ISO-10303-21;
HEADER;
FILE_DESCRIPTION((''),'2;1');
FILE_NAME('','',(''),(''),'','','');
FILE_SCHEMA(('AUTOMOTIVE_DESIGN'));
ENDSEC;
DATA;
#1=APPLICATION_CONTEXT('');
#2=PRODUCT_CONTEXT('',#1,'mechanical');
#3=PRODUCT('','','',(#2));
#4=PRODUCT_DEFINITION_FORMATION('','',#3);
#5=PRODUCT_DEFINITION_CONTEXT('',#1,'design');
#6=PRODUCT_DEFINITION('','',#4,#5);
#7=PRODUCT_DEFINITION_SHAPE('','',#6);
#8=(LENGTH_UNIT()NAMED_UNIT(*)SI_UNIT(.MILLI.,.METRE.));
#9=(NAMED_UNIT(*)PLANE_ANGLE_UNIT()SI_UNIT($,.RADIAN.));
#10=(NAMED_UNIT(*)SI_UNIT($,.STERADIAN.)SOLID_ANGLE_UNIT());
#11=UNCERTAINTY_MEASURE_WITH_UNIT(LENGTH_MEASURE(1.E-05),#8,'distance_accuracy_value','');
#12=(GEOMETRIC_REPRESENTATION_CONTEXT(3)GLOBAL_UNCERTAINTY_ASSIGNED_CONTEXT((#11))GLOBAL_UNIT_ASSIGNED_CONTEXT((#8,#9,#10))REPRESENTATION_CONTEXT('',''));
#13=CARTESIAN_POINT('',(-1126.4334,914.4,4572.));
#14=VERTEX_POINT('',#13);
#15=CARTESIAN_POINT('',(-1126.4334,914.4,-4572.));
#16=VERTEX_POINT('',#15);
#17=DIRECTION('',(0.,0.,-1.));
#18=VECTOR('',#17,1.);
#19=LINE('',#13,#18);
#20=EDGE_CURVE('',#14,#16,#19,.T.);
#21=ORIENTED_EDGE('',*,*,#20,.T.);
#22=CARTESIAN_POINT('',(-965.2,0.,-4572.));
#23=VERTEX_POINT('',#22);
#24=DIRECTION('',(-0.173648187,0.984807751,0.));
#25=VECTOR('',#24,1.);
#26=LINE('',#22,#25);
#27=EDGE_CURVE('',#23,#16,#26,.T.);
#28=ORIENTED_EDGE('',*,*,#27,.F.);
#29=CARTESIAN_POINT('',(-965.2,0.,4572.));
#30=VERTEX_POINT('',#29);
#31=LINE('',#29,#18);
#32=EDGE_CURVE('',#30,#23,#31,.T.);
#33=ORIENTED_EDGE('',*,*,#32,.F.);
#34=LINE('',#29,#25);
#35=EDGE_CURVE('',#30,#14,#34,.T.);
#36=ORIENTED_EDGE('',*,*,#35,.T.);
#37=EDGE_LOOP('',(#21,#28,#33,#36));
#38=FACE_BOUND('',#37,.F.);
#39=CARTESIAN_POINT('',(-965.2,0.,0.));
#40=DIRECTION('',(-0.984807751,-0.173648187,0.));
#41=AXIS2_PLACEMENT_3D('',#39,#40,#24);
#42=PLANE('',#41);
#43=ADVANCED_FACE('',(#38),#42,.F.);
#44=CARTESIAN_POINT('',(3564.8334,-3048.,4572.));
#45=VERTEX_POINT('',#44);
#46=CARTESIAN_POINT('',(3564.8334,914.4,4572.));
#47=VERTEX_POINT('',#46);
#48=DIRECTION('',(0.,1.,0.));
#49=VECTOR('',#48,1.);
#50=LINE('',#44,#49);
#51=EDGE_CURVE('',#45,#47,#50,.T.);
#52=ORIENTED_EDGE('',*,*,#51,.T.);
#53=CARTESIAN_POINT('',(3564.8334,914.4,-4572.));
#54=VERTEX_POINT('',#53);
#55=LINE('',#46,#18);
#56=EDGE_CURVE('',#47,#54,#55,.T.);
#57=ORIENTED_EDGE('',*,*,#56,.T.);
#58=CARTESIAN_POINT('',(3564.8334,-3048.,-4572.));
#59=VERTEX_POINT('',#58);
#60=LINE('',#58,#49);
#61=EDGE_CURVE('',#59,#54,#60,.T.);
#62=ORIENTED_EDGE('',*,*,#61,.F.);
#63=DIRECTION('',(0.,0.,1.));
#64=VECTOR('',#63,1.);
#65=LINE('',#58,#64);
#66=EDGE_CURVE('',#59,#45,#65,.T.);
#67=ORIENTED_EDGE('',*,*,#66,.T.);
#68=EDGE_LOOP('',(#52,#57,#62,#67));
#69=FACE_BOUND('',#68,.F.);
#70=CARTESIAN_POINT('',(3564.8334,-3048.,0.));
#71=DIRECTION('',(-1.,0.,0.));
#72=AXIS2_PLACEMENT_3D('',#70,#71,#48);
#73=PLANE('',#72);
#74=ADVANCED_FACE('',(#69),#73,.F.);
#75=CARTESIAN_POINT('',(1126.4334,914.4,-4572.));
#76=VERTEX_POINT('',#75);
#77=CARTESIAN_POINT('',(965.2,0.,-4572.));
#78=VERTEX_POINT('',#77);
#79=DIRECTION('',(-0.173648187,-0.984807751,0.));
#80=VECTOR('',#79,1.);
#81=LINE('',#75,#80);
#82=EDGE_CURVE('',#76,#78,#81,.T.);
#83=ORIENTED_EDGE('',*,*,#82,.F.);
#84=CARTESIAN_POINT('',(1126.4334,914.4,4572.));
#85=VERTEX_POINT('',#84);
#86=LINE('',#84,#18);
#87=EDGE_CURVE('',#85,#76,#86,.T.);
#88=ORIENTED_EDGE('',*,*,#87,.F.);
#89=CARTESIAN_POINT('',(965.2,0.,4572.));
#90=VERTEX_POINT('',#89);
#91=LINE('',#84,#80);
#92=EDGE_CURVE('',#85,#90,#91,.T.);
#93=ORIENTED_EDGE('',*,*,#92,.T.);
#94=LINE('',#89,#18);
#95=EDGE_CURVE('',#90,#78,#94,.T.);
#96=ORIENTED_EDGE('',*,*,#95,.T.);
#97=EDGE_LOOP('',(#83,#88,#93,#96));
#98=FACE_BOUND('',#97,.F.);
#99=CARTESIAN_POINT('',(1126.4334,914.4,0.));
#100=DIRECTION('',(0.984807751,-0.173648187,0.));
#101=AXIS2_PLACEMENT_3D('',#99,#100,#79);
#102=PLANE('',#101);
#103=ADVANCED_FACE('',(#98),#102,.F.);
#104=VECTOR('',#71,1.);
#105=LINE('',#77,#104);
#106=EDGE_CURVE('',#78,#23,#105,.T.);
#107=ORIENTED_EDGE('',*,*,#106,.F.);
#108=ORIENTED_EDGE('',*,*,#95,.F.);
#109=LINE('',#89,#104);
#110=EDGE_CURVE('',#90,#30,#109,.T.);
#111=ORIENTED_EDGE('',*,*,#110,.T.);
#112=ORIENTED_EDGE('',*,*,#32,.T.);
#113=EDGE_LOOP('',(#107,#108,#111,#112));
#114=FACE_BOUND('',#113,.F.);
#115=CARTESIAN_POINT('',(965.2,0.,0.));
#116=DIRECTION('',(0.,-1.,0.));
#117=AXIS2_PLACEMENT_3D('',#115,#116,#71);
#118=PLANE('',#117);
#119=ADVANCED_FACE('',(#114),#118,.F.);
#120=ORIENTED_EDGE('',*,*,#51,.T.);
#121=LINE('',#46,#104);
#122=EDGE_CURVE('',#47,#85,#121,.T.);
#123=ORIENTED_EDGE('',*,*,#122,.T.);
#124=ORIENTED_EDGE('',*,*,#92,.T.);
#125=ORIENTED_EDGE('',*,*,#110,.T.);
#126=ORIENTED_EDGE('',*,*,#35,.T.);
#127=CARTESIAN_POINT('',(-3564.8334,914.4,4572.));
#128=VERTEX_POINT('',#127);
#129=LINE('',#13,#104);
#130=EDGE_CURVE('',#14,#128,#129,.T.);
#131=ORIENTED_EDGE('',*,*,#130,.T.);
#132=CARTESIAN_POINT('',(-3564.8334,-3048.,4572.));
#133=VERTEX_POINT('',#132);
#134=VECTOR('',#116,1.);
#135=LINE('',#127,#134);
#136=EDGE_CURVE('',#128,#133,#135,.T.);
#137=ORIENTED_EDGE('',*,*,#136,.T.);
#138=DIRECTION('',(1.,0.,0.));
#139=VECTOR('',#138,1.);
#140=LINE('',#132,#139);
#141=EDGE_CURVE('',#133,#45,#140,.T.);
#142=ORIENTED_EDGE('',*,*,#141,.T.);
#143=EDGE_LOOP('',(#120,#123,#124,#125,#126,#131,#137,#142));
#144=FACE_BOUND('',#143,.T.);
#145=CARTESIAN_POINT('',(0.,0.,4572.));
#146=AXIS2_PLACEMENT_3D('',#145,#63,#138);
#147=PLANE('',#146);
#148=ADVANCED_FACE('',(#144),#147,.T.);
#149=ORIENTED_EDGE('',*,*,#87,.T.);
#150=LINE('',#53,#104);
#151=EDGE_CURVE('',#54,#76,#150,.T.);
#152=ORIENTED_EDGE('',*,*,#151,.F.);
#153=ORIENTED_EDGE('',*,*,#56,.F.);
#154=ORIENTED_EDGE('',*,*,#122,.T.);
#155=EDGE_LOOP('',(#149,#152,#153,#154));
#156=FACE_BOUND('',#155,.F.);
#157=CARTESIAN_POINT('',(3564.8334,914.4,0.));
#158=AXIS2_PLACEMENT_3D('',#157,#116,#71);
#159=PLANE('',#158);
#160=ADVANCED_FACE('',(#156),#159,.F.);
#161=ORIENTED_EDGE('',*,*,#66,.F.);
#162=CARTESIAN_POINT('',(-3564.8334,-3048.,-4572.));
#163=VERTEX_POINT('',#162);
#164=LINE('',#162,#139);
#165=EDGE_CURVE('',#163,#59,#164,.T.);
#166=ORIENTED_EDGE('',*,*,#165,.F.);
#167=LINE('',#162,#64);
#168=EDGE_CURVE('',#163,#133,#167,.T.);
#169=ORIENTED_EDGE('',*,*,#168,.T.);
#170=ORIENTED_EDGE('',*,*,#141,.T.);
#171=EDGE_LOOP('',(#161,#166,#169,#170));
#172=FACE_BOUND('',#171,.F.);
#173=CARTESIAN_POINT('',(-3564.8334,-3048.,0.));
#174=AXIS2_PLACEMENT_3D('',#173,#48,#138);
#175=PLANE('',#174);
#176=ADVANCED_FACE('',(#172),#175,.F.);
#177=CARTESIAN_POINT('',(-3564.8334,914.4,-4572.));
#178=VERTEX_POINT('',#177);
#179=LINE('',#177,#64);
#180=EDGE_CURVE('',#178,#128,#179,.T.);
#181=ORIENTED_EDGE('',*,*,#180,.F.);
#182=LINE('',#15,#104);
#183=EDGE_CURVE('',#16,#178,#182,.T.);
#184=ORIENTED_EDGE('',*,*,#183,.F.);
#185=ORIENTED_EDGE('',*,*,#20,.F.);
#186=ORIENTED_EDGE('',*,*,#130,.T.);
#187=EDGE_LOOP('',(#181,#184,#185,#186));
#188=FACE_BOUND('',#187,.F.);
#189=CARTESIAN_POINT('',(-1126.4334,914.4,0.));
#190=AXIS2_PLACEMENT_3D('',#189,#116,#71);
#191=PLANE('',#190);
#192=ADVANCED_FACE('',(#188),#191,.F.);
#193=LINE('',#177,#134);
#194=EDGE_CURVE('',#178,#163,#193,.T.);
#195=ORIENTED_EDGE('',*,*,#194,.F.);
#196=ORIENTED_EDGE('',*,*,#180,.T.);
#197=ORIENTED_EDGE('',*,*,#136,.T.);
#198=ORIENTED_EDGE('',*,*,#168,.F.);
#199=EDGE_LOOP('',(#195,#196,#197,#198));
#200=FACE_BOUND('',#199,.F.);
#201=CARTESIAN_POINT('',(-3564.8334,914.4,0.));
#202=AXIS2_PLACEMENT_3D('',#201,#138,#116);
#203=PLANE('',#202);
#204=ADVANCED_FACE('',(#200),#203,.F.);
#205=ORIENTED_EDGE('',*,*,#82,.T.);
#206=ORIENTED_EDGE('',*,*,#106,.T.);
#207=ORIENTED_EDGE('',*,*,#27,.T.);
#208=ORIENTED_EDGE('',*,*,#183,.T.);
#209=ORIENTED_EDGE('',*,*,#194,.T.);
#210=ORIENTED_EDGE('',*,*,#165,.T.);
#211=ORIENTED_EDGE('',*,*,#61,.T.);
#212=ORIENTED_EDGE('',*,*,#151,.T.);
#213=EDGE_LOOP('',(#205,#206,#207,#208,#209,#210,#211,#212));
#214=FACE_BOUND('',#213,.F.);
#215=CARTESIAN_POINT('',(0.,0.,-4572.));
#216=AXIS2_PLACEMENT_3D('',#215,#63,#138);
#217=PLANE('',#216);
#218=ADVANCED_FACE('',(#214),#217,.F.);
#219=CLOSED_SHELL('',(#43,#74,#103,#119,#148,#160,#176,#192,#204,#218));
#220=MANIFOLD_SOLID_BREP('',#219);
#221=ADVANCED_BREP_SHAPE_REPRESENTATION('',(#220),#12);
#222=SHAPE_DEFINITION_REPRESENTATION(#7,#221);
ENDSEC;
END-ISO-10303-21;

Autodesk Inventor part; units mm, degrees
ref_plane "YZ Plane" through (0, 0, 0) normal (1, 0, 0) x (0, 1, 0)
ref_plane "XZ Plane" through (0, 0, 0) normal (0, 1, 0) x (-1, 0, 0)
ref_plane "XY Plane" through (0, 0, 0) normal (0, 0, 1) x (1, 0, 0)
sketch "Sketch1" plane through (0, 0, 0) normal (0, 0, 1) x (1, 0, 0)
  line L0 (-3564.8334, 914.4) -> (-3564.8334, -3048)
  line L1 (-3564.8334, -3048) -> (3564.8334, -3048)
  line L2 (3564.8334, -3048) -> (3564.8334, 914.4)
  line L3 (3564.8334, 914.4) -> (1126.4334, 914.4)
  line L4 (1126.4334, 914.4) -> (965.2, 0)
  line L5 (965.2, 0) -> (-965.2, 0)
  line L6 (-965.2, 0) -> (-1126.4334, 914.4)
  line L7 (-1126.4334, 914.4) -> (-3564.8334, 914.4)
  point P0 (0, 0)
  point P1 (0, 0)
  dimension "d0" = 2438.4
  dimension "d1" = 1930.4
  dimension "d2" = 914.4
  dimension "d3" = 100
  dimension "d4" = 100
  dimension "d5" = 3048
extrude "Extrusion1" add sketch "Sketch1" along normal mid plane 9144
equation "\"d4\" = d3"
properties part number "FerrisWheelCarriageKGR" material "Concrete"
